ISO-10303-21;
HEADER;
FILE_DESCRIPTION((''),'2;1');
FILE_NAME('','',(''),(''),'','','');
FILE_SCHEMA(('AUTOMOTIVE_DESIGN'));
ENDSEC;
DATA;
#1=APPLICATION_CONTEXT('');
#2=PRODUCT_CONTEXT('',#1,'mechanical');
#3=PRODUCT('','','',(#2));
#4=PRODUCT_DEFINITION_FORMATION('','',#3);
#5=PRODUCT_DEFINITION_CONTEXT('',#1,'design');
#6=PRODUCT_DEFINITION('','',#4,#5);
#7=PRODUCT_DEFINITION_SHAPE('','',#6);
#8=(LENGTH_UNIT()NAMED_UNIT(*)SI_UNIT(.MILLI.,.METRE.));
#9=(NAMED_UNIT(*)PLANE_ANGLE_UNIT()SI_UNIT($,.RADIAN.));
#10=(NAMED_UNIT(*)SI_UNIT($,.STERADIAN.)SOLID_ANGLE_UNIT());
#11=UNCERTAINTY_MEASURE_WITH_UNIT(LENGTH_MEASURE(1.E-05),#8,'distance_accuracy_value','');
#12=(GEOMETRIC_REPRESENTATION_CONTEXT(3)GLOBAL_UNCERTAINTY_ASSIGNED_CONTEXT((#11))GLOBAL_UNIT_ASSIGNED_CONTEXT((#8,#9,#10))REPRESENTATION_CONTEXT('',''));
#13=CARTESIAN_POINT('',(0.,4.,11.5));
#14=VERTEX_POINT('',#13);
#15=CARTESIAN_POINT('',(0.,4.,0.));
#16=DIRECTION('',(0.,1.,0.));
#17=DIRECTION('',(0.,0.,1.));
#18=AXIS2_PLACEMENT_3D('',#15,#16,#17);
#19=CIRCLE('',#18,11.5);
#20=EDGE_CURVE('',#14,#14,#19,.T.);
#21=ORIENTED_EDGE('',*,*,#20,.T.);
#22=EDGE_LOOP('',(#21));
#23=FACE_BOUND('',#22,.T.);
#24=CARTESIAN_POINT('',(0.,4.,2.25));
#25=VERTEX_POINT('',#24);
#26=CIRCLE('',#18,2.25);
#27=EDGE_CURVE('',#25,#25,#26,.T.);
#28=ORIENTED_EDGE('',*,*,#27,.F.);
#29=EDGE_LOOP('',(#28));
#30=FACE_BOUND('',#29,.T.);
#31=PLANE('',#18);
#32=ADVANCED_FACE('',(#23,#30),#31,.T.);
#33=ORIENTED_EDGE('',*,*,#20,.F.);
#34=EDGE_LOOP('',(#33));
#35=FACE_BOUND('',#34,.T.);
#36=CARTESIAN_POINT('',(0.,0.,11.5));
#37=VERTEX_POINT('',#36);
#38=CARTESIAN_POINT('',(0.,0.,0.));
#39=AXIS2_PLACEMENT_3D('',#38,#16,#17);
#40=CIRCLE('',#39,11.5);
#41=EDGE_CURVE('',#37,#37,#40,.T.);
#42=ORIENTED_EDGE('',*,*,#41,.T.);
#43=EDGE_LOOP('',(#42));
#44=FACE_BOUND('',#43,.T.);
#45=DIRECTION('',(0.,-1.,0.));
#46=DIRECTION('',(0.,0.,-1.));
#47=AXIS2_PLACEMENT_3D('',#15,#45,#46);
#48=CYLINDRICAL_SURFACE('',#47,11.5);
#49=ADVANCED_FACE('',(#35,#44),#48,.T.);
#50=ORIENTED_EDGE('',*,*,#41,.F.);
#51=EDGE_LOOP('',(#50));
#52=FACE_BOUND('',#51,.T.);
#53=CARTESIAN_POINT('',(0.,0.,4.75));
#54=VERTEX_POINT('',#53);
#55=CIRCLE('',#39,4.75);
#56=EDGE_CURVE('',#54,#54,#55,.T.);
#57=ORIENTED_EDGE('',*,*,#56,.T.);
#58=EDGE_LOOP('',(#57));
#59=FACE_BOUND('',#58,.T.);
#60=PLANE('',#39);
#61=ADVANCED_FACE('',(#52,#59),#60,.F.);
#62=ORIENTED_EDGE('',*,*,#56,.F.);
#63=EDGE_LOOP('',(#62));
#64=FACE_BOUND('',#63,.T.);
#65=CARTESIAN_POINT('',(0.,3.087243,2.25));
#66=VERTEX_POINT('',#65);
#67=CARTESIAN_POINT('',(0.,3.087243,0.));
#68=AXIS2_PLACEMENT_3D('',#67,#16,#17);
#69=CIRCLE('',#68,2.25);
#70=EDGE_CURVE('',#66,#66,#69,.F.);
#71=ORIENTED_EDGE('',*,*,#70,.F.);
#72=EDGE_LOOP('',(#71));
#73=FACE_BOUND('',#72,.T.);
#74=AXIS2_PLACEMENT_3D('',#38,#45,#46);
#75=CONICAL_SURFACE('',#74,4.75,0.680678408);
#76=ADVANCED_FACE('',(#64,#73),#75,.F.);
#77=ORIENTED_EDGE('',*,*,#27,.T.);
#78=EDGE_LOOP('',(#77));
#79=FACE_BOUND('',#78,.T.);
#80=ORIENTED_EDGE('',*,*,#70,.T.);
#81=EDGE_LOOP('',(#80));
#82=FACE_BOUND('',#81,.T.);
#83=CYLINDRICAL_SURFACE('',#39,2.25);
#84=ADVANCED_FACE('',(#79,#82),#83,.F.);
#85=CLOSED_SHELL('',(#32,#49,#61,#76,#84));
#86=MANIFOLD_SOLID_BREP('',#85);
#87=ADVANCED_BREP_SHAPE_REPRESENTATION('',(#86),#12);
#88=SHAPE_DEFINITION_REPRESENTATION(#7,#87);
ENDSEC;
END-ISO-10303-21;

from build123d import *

# Parameters (mm, degrees)
SKETCH1_R           = 11.5
BOSS_EXTRUDE1_DEPTH = 4
SKETCH2_R           = 2.25
CUT_EXTRUDE1_DEPTH  = 5
CHAMFER1_SIZE       = 2.5
CHAMFER1_SIZE2      = 3.087242891


with BuildPart() as part:
    # Sketch1 → Boss-Extrude1 (new body)
    with BuildSketch(Plane(origin=(0, 0, 0), x_dir=(1, 0, 0), z_dir=(0, 1, 0))):
        Circle(SKETCH1_R)
    extrude(amount=BOSS_EXTRUDE1_DEPTH)

    # Sketch2 → Cut-Extrude1 (cut, through all)
    with BuildSketch(Plane(origin=(0, 4, 0), x_dir=(1, 0, 0), z_dir=(0, 1, 0))):
        Circle(SKETCH2_R)
    extrude(amount=-CUT_EXTRUDE1_DEPTH, mode=Mode.SUBTRACT)

    # Chamfer1
    chamfer1_edges = [part.edges().sort_by_distance(p)[0] for p in [
        (-2.25, 0, 0),
    ]]
    chamfer1_side = [part.faces().sort_by_distance(p)[0] for p in [
        (-11.174730881, 0, 0),
    ]]
    chamfer(chamfer1_edges, length=CHAMFER1_SIZE, length2=CHAMFER1_SIZE2, reference=chamfer1_side[0])


solid = part.part
